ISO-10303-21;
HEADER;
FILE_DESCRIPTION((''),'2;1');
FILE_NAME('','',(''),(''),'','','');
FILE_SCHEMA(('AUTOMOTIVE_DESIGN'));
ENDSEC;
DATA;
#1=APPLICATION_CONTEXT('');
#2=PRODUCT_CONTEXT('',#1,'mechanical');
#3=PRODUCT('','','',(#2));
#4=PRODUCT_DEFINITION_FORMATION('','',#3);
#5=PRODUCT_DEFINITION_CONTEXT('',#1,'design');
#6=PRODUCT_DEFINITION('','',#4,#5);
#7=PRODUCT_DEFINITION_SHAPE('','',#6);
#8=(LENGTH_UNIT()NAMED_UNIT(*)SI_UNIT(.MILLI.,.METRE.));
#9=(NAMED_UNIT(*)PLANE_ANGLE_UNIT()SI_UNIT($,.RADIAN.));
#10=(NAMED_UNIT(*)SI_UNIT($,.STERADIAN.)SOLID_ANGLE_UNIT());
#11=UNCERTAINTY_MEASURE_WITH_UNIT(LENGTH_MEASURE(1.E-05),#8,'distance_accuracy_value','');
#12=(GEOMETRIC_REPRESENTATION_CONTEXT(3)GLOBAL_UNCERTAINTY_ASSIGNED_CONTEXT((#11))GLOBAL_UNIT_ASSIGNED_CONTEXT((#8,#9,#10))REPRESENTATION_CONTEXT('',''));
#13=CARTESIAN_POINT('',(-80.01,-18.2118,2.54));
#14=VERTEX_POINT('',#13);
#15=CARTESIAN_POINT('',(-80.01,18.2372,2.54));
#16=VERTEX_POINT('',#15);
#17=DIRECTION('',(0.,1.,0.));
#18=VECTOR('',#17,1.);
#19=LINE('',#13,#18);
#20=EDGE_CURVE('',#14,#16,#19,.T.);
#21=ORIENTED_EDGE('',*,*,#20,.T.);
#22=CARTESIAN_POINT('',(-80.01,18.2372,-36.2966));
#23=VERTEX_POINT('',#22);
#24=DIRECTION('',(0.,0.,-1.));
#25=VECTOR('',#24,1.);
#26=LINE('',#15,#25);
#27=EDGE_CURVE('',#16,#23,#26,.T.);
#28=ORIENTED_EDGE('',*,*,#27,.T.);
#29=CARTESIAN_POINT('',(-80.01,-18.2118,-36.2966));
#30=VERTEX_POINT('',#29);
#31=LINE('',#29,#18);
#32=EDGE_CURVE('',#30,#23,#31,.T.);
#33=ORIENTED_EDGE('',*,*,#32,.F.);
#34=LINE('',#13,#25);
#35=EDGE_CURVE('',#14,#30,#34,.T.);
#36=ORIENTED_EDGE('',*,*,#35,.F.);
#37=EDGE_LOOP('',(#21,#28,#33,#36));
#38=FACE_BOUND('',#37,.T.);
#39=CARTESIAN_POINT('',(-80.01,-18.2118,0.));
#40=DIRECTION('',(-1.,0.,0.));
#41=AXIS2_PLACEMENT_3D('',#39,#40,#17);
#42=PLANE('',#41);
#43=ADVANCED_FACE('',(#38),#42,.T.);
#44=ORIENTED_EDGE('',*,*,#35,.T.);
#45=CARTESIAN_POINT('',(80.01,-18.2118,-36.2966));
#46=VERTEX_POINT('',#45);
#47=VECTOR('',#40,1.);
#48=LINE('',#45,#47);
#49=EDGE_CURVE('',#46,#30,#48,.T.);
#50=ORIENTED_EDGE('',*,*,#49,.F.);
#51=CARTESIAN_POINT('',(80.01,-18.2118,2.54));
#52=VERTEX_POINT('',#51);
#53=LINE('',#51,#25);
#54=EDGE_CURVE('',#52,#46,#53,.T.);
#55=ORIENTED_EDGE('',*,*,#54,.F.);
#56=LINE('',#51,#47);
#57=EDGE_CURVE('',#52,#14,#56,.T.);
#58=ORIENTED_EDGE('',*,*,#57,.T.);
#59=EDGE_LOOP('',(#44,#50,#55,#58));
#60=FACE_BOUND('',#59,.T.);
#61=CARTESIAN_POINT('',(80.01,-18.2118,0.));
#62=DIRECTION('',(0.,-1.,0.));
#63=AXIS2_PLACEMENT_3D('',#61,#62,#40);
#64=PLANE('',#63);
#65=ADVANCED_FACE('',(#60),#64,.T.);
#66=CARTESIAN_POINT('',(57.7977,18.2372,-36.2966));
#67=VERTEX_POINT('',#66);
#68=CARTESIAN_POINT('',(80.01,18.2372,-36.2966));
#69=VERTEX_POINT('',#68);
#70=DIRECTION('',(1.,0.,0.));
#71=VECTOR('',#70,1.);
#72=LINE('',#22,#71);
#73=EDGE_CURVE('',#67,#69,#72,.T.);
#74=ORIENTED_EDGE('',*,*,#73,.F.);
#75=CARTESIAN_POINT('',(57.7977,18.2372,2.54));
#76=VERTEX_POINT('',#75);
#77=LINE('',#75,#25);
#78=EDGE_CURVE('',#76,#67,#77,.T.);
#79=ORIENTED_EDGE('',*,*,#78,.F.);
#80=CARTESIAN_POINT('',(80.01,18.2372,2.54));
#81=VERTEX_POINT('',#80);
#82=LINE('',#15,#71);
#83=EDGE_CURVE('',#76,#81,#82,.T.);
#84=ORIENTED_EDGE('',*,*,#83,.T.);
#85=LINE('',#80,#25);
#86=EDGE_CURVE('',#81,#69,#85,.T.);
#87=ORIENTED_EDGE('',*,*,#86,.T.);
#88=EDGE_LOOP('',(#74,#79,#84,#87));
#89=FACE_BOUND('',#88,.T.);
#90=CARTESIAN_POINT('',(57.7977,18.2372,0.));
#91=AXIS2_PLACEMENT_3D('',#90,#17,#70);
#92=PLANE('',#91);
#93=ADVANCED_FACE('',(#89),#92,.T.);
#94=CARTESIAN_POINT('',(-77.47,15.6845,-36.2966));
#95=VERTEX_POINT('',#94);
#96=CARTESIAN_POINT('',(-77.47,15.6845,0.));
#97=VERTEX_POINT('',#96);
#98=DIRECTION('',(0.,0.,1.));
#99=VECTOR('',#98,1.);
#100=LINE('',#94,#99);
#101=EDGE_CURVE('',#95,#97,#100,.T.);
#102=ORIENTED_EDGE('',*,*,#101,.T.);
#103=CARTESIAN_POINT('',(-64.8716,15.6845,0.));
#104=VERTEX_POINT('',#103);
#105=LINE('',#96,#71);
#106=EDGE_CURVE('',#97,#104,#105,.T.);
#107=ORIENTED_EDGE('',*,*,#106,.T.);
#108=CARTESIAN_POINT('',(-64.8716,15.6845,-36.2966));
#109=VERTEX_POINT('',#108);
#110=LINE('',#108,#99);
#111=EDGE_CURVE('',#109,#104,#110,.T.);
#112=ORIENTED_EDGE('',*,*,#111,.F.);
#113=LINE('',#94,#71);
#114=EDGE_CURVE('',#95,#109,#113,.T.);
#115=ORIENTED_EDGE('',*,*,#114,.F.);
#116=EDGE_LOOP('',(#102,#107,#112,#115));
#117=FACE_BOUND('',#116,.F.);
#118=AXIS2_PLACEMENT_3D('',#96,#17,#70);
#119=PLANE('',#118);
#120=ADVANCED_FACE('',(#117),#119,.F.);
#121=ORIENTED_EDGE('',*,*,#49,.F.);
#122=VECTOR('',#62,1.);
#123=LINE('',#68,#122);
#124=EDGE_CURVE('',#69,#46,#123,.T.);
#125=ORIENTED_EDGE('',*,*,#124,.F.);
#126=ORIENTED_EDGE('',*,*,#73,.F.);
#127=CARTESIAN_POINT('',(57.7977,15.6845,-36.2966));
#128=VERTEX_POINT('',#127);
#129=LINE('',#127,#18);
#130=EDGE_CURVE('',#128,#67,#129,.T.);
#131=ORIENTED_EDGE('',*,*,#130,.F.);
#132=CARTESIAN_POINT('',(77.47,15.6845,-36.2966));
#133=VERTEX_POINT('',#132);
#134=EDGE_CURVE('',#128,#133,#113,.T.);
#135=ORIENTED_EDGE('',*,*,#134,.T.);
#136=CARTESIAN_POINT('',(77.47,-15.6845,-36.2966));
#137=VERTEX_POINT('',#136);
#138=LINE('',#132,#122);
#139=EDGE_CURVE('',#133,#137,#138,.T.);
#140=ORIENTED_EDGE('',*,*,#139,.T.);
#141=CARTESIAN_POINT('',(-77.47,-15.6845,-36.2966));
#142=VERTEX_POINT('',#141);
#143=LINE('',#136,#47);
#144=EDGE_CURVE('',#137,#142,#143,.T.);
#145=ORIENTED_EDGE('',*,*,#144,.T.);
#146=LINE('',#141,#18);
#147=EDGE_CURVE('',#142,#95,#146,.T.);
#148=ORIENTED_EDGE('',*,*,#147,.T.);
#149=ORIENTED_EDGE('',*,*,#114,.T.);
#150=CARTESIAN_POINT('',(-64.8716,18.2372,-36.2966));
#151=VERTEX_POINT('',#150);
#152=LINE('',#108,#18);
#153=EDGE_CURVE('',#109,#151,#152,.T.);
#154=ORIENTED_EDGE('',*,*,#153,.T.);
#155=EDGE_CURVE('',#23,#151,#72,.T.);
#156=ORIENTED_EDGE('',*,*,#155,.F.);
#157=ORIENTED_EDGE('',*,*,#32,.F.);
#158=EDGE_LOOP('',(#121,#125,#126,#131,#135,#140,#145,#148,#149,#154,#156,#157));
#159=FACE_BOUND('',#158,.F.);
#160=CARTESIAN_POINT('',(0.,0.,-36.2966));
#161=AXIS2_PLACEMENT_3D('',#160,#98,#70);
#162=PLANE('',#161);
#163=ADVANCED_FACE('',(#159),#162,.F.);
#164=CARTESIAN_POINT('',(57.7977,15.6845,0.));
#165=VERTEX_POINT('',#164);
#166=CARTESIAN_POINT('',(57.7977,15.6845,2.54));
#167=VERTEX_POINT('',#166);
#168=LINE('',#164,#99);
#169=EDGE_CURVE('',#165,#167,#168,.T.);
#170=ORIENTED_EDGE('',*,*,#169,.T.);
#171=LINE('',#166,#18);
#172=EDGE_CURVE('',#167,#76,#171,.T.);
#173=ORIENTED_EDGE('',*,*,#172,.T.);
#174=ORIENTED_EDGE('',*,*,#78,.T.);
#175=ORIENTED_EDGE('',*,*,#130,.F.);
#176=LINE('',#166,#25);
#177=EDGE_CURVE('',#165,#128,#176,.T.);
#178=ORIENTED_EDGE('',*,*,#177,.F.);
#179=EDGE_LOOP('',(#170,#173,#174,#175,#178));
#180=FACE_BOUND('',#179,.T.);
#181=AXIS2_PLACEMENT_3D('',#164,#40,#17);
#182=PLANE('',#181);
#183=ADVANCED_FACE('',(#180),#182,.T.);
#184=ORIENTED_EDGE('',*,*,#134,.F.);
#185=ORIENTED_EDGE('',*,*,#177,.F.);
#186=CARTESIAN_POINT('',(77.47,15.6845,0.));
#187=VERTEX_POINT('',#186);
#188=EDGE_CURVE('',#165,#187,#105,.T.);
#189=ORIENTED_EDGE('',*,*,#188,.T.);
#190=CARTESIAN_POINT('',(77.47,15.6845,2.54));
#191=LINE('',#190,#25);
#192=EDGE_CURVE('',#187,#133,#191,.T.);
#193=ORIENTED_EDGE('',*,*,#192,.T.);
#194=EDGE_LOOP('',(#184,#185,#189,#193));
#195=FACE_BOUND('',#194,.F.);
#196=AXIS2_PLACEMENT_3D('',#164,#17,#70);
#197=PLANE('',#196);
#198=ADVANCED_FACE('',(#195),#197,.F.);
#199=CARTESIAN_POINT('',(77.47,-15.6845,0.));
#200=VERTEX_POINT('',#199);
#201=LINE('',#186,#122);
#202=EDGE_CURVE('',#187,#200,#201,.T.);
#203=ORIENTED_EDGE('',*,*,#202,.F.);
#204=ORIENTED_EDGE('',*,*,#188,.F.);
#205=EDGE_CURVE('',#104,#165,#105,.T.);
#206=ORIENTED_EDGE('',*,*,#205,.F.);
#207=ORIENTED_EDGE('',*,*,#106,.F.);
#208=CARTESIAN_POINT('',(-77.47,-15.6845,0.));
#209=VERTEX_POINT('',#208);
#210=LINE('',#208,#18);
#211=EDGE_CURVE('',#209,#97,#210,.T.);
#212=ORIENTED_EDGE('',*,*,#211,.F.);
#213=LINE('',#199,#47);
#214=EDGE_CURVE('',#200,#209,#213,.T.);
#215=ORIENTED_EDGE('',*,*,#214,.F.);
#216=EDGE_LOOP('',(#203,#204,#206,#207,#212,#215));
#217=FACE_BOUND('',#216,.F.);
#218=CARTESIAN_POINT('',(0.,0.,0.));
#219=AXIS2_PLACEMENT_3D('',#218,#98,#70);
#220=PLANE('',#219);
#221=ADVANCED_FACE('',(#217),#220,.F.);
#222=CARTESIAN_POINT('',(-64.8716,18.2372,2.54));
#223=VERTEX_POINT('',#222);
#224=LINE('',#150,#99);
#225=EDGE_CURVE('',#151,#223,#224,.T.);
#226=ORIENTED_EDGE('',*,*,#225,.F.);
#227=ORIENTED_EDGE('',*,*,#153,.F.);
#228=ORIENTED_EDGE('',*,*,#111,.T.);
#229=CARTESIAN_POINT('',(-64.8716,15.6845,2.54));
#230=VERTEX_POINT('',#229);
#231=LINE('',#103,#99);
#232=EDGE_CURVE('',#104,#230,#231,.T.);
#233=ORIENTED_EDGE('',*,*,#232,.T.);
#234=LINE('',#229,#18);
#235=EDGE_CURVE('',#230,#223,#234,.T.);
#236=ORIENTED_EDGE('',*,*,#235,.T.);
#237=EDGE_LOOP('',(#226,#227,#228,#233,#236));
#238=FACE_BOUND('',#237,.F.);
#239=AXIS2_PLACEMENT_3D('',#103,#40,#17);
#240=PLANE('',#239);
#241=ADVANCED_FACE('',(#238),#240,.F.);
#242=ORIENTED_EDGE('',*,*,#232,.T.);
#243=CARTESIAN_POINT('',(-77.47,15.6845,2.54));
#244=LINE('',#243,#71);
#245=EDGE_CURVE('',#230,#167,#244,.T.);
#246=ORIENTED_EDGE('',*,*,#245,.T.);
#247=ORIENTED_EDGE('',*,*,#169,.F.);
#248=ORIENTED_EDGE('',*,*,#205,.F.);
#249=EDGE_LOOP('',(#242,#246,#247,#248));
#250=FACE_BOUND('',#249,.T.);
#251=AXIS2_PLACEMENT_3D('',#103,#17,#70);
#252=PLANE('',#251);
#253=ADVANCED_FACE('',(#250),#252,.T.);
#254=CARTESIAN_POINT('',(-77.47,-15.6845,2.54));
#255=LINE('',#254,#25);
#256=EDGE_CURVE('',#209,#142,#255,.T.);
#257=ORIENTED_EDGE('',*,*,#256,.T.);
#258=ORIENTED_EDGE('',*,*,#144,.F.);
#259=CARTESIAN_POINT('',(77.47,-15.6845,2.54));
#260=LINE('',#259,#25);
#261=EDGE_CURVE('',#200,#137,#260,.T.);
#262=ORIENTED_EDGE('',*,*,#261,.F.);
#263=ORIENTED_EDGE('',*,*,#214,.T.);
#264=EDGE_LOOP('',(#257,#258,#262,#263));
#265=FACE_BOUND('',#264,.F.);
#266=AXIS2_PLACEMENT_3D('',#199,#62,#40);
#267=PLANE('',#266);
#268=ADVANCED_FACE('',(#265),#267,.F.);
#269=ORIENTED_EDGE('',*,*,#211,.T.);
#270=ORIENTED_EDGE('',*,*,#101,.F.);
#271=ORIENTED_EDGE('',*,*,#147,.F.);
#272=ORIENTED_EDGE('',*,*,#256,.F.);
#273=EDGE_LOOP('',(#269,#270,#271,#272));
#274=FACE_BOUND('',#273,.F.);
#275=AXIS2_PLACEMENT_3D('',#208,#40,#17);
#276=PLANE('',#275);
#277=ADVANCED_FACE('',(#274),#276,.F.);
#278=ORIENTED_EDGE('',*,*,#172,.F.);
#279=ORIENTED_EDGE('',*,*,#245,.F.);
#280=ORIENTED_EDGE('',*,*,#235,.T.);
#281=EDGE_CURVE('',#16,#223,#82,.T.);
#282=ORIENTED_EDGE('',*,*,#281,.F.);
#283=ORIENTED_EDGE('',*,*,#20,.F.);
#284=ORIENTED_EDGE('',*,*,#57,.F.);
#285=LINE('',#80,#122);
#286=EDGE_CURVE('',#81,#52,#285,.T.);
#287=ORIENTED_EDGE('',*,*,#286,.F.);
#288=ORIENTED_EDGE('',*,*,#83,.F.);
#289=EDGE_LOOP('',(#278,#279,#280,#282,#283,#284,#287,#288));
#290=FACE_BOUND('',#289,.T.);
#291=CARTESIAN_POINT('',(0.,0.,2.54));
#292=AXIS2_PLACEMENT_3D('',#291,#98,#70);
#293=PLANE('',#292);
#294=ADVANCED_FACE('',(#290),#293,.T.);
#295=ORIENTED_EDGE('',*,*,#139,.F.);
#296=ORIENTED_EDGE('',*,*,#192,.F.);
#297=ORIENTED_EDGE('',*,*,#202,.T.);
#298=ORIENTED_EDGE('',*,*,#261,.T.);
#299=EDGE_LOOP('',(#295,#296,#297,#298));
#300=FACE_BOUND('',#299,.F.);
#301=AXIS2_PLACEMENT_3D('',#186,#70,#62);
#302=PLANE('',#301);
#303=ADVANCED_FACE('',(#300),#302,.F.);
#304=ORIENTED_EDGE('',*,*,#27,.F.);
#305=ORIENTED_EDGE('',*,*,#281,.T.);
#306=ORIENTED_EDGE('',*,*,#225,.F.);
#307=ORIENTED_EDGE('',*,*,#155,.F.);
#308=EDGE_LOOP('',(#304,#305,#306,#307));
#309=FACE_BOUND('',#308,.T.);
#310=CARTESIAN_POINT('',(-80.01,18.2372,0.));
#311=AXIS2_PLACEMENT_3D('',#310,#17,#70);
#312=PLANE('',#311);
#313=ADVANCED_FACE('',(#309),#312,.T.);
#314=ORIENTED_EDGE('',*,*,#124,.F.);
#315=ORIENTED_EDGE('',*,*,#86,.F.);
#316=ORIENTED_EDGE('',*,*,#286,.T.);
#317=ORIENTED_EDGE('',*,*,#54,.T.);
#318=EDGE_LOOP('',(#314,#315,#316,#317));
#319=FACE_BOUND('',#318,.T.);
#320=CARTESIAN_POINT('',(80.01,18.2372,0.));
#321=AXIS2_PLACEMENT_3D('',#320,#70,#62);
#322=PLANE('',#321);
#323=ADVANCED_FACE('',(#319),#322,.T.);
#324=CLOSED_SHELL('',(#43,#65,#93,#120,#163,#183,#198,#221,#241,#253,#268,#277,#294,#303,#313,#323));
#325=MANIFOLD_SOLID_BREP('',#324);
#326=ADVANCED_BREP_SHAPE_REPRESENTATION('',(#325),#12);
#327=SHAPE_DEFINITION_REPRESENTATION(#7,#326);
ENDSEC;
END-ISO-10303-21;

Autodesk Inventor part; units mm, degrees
ref_plane "YZ Plane" through (0, 0, 0) normal (1, 0, 0) x (0, 1, 0)
ref_plane "XZ Plane" through (0, 0, 0) normal (0, 1, 0) x (-1, 0, 0)
ref_plane "XY Plane" through (0, 0, 0) normal (0, 0, 1) x (1, 0, 0)
sketch "Sketch1" plane through (0, 0, 0) normal (0, 0, 1) x (1, 0, 0)
  line L0 (-77.47, 15.6845) -> (77.47, 15.6845)
  line L1 (77.47, 15.6845) -> (77.47, -15.6845)
  line L2 (77.47, -15.6845) -> (-77.47, -15.6845)
  line L3 (-77.47, -15.6845) -> (-77.47, 15.6845)
  line L4 (-80.01, 18.2372) -> (80.01, 18.2372)
  line L5 (80.01, 18.2372) -> (80.01, -18.2118)
  line L6 (80.01, -18.2118) -> (-80.01, -18.2118)
  line L7 (-80.01, -18.2118) -> (-80.01, 18.2372)
  line L8 (-64.8716, 15.6845) -> (-64.8716, 18.2372)
  line L9 (57.7977, 15.6845) -> (57.7977, 18.2372)
  point P0 (0, 0)
  dimension "d0" = 154.94
  dimension "d1" = 31.369
  dimension "d2" = 160.02
  dimension "d3" = 36.449
extrude "front" add sketch "Sketch1" along normal blind 2.54 contours L0 L1 L2 L3
extrude "sides" add sketch "Sketch1" along normal blind 2.54 and the other way blind 36.2966 contours L3 L2 L1 L0 L9 L4 L5 L6 L7 L8
properties part number "cradle"
